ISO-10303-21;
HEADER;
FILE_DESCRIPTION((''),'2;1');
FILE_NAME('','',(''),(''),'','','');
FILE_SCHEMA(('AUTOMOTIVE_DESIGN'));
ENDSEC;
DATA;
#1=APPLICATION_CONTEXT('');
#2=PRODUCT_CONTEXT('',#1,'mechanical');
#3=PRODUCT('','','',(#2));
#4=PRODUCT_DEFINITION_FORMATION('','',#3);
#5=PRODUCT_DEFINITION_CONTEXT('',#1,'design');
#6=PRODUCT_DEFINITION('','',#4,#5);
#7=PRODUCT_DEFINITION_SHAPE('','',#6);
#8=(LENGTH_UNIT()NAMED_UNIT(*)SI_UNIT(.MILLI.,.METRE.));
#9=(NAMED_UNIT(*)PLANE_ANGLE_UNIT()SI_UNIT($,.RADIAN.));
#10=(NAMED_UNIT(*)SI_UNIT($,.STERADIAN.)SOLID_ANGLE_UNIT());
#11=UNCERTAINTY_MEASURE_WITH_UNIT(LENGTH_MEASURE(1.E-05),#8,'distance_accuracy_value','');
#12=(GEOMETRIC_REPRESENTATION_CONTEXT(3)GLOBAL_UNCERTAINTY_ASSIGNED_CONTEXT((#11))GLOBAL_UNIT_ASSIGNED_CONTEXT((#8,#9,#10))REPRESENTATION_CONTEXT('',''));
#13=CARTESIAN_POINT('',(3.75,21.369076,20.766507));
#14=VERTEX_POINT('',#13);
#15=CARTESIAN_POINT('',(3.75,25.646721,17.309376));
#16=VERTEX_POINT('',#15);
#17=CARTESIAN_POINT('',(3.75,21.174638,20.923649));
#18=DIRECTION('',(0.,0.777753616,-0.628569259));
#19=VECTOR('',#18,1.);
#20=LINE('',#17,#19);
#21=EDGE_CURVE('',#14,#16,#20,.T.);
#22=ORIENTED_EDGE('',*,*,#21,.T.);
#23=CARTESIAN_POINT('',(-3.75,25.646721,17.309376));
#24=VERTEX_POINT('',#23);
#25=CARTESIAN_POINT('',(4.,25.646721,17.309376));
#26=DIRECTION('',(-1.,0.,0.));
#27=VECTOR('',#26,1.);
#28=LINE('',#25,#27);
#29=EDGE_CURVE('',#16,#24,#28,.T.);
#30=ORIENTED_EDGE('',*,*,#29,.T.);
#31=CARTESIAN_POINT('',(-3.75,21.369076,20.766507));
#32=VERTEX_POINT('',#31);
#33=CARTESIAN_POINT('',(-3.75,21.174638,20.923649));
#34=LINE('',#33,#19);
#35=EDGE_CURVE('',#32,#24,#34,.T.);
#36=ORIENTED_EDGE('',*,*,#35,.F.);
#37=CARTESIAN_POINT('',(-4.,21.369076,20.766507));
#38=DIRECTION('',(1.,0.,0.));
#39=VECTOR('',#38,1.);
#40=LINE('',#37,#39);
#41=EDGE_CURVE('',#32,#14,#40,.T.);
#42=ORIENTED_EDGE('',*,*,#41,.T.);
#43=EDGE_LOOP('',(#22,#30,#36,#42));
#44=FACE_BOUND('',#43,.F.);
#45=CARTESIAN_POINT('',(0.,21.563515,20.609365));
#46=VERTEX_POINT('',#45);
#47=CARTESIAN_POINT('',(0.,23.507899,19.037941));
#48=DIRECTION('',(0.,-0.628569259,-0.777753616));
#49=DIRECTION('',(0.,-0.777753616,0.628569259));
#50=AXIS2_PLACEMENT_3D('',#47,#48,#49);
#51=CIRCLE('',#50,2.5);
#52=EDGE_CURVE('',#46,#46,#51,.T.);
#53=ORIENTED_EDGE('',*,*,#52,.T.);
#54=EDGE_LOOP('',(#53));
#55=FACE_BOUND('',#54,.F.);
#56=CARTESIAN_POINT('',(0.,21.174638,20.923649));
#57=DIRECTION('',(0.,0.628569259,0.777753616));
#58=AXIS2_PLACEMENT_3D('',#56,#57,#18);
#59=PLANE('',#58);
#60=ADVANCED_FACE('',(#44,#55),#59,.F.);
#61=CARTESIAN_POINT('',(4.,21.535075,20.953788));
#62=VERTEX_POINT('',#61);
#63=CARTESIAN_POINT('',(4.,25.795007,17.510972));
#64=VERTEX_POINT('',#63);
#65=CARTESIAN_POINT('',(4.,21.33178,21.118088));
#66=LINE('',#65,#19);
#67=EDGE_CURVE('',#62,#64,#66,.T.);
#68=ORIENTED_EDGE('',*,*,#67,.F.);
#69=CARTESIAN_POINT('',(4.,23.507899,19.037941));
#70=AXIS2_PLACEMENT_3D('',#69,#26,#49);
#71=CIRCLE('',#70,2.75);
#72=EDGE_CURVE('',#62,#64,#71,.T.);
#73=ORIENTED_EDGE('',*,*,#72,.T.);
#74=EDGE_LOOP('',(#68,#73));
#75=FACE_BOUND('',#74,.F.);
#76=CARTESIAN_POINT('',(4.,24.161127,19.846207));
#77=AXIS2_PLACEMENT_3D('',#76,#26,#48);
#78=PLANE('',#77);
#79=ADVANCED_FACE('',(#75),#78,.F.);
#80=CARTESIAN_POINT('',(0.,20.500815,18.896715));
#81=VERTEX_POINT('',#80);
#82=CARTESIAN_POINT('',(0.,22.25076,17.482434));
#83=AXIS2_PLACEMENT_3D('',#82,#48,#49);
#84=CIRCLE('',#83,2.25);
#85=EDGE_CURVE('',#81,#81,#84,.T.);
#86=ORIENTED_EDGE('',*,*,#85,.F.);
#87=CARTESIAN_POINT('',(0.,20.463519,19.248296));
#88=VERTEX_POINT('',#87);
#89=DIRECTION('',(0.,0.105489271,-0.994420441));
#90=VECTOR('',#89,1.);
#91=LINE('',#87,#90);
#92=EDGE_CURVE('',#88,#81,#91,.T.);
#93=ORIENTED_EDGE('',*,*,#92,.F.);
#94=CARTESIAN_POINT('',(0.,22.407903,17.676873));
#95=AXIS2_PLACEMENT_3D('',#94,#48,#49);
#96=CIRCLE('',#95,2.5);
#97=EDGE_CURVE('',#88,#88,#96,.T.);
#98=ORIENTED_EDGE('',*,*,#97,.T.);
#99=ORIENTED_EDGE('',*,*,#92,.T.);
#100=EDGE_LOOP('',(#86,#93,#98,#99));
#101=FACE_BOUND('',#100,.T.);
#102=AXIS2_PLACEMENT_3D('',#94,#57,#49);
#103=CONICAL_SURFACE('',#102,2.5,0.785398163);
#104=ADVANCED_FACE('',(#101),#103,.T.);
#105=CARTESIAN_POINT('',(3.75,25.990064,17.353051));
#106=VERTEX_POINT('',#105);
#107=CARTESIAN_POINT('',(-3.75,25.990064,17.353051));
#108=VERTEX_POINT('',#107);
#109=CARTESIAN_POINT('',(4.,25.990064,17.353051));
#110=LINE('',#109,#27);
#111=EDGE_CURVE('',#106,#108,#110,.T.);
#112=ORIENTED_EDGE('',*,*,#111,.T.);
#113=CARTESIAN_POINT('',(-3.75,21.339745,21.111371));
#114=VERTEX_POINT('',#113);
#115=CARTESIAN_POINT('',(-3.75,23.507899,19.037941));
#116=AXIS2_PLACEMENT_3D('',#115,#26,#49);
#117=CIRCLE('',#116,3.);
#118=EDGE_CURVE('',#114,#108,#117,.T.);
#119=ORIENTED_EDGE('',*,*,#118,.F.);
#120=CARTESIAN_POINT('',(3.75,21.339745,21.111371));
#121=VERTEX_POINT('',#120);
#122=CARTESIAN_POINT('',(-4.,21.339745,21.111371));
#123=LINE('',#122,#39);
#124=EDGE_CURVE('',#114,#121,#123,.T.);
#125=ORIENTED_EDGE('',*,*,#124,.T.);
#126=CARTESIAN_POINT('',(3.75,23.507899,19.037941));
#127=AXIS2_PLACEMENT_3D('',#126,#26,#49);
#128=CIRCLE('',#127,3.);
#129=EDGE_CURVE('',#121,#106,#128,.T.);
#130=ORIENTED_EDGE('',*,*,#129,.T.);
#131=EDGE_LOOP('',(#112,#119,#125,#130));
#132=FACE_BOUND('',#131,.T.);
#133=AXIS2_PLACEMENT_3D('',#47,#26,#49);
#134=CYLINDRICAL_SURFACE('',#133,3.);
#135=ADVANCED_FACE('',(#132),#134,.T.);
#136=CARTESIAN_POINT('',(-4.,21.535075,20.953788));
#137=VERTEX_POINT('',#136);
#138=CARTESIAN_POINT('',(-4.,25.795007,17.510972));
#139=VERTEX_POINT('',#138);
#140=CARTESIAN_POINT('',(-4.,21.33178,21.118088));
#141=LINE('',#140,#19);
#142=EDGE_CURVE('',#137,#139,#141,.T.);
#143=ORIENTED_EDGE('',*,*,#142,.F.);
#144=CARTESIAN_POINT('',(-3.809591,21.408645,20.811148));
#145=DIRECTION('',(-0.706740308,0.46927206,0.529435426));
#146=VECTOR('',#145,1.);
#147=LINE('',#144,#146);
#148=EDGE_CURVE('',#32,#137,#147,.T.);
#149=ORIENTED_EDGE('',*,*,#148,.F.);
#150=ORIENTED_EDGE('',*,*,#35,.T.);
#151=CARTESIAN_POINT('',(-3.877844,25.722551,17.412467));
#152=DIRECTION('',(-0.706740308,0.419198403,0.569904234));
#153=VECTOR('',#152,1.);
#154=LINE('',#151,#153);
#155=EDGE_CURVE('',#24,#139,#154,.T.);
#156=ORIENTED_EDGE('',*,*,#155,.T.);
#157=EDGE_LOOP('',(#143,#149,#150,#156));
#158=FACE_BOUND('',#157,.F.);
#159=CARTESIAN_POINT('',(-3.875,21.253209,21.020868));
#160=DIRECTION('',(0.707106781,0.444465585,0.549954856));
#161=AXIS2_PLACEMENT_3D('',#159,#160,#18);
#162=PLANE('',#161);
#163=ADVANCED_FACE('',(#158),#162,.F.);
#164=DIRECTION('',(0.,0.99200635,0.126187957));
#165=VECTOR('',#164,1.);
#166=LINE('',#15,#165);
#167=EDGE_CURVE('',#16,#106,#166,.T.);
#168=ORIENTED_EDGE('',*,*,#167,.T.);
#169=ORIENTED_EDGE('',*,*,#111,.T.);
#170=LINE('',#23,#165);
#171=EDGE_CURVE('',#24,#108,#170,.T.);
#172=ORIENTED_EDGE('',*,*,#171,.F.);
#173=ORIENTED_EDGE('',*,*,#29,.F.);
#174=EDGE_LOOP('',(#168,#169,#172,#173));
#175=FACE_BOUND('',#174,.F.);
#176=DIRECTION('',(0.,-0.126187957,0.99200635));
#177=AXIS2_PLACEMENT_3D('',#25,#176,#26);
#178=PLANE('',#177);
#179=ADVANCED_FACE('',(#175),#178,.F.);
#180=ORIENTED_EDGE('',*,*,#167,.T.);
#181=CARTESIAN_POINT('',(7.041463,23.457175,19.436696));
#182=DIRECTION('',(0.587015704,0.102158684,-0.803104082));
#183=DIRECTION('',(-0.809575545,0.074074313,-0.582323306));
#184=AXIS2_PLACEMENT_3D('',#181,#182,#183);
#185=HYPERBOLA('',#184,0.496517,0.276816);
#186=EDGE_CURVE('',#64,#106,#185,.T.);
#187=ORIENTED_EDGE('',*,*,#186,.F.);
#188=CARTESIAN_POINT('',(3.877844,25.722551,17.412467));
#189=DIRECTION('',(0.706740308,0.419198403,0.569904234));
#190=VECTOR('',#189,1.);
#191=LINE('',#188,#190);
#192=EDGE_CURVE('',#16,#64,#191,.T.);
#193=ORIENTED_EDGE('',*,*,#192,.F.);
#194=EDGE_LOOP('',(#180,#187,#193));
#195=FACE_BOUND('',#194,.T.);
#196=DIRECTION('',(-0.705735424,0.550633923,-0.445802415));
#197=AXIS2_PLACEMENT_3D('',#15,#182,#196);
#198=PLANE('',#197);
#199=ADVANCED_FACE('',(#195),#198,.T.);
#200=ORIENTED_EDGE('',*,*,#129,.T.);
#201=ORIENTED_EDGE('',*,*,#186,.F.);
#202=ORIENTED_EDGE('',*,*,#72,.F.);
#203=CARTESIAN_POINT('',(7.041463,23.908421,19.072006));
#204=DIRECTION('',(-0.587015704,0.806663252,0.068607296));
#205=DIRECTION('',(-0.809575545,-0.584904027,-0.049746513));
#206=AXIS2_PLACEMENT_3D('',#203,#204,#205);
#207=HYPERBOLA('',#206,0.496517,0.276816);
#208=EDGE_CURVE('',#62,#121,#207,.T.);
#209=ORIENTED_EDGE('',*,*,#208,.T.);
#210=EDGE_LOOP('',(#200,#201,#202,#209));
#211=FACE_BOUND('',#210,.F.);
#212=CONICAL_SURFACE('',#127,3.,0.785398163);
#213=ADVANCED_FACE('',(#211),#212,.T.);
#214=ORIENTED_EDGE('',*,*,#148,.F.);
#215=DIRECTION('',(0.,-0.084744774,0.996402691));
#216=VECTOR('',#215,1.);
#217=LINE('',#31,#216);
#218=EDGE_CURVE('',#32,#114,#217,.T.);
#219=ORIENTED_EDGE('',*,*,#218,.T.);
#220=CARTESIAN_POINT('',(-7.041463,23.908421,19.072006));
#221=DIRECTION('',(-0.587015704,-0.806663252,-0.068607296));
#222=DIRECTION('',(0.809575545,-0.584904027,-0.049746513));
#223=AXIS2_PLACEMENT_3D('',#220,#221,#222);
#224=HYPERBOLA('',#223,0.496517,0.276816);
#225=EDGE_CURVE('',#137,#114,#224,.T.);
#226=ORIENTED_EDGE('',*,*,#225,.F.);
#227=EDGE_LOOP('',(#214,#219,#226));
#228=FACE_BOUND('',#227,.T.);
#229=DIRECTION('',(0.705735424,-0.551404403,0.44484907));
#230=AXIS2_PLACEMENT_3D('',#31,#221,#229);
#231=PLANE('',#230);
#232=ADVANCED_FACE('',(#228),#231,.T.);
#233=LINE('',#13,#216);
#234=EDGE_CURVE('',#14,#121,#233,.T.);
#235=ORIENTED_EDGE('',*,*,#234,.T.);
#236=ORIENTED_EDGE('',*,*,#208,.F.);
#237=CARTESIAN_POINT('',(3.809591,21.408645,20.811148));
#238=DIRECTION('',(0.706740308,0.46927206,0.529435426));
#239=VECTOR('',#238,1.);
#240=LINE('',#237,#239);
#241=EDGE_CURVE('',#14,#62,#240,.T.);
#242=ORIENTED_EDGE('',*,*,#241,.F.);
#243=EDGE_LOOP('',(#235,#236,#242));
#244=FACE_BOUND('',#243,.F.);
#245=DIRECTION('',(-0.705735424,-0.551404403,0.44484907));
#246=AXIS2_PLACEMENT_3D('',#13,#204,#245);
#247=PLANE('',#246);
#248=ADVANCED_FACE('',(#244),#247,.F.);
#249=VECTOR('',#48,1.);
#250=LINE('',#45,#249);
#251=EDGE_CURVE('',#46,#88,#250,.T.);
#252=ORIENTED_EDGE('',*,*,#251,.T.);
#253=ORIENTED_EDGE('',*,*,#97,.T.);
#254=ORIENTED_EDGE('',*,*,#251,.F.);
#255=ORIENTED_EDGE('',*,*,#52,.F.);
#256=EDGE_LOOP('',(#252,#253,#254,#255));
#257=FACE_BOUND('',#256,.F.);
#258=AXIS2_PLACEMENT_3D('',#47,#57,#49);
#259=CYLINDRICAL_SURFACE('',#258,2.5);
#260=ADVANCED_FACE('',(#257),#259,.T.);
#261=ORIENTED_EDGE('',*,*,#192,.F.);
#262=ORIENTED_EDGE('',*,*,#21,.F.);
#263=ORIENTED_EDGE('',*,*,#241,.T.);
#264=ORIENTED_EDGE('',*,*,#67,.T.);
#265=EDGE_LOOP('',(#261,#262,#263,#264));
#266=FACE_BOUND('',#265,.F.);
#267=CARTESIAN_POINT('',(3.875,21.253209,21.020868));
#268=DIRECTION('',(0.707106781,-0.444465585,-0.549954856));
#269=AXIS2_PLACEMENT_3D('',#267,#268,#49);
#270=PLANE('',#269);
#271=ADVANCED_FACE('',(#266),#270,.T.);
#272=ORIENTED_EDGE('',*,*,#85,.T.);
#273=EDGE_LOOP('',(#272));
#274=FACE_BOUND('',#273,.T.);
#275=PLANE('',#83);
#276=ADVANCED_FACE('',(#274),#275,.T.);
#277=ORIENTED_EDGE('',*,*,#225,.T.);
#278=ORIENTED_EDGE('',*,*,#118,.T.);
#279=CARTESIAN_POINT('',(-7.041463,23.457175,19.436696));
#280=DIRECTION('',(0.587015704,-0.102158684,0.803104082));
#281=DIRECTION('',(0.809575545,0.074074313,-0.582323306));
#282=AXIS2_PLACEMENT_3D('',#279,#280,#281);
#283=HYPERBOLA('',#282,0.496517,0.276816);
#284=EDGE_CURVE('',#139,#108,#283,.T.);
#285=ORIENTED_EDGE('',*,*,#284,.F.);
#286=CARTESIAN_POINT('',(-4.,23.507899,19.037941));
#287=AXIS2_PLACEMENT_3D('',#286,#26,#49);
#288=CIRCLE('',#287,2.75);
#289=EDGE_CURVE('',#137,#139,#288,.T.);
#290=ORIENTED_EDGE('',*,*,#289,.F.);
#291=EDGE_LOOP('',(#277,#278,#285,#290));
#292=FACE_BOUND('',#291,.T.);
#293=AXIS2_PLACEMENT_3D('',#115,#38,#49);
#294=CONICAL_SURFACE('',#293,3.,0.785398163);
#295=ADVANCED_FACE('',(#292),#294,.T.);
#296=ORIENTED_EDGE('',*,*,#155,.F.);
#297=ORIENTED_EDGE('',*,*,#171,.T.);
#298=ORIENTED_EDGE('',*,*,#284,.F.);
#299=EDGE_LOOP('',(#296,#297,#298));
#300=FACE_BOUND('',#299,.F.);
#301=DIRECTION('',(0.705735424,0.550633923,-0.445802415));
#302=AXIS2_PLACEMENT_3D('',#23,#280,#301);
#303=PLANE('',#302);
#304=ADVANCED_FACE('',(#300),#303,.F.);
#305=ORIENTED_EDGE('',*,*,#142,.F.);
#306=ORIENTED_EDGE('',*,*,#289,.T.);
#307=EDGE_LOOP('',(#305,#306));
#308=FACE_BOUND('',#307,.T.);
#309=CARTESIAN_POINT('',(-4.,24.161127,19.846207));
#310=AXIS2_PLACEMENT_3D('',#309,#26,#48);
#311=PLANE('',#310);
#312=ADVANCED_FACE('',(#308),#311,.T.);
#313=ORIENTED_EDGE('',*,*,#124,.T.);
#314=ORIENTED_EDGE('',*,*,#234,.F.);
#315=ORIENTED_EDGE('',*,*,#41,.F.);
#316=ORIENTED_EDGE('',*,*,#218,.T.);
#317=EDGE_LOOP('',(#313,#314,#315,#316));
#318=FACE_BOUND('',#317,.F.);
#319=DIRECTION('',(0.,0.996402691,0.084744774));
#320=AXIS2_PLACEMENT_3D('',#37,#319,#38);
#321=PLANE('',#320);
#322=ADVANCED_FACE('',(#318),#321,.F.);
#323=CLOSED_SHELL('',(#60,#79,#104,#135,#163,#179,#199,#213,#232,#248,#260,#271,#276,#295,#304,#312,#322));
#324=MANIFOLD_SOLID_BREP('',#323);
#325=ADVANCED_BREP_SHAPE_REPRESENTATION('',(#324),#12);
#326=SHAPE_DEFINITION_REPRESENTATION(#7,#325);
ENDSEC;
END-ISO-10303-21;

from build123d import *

# Parameters (mm, degrees)
PAD005_DEPTH            = 4
SKETCH014_R             = 2.5
PAD006_DEPTH            = 2
CHAMFER_SIZE            = 0.25
BODY005_ROLL_ANGLE      = -51.0553562624
BODY005_PLACEMENT_ANGLE = 180


with BuildPart() as part:
    # Sketch013 → Pad005 (new body, symmetric)
    with BuildSketch(Plane.YZ):
        with BuildLine():
            ThreePointArc((0, 3), (-3, 0), (0, -3))
            Line((0, 3), (0, -3))
        make_face()
    extrude(amount=PAD005_DEPTH, both=True)

    # Sketch014 (on Face2 of Pad005) → Pad006 (join)
    with BuildSketch(Plane.ZX):
        Circle(SKETCH014_R)
    extrude(amount=PAD006_DEPTH)

    # Chamfer
    chamfer_edges = [part.edges().sort_by_distance(p)[0] for p in [
        (0, 2, -2.5),
        (-4, -3, 0),
        (-4, 0, 0),
        (4, -3, 0),
        (4, 0, 0),
        (0, 0, -3),
        (0, 0, 3),
    ]]
    chamfer(chamfer_edges, length=CHAMFER_SIZE)


with BuildPart() as part_1:
    # Body005 roll: moved
    add(part.part.rotate(Axis((0, 0, 0), (1, 0, 0)), BODY005_ROLL_ANGLE))


with BuildPart() as part_2:
    # Body005 placement: moved
    add(part_1.part.moved(Location((0, 23.5078988941, 19.0379414122))).rotate(Axis((0, 23.5078988941, 19.0379414122), (0, 0, 1)), BODY005_PLACEMENT_ANGLE))


solid = part_2.part
